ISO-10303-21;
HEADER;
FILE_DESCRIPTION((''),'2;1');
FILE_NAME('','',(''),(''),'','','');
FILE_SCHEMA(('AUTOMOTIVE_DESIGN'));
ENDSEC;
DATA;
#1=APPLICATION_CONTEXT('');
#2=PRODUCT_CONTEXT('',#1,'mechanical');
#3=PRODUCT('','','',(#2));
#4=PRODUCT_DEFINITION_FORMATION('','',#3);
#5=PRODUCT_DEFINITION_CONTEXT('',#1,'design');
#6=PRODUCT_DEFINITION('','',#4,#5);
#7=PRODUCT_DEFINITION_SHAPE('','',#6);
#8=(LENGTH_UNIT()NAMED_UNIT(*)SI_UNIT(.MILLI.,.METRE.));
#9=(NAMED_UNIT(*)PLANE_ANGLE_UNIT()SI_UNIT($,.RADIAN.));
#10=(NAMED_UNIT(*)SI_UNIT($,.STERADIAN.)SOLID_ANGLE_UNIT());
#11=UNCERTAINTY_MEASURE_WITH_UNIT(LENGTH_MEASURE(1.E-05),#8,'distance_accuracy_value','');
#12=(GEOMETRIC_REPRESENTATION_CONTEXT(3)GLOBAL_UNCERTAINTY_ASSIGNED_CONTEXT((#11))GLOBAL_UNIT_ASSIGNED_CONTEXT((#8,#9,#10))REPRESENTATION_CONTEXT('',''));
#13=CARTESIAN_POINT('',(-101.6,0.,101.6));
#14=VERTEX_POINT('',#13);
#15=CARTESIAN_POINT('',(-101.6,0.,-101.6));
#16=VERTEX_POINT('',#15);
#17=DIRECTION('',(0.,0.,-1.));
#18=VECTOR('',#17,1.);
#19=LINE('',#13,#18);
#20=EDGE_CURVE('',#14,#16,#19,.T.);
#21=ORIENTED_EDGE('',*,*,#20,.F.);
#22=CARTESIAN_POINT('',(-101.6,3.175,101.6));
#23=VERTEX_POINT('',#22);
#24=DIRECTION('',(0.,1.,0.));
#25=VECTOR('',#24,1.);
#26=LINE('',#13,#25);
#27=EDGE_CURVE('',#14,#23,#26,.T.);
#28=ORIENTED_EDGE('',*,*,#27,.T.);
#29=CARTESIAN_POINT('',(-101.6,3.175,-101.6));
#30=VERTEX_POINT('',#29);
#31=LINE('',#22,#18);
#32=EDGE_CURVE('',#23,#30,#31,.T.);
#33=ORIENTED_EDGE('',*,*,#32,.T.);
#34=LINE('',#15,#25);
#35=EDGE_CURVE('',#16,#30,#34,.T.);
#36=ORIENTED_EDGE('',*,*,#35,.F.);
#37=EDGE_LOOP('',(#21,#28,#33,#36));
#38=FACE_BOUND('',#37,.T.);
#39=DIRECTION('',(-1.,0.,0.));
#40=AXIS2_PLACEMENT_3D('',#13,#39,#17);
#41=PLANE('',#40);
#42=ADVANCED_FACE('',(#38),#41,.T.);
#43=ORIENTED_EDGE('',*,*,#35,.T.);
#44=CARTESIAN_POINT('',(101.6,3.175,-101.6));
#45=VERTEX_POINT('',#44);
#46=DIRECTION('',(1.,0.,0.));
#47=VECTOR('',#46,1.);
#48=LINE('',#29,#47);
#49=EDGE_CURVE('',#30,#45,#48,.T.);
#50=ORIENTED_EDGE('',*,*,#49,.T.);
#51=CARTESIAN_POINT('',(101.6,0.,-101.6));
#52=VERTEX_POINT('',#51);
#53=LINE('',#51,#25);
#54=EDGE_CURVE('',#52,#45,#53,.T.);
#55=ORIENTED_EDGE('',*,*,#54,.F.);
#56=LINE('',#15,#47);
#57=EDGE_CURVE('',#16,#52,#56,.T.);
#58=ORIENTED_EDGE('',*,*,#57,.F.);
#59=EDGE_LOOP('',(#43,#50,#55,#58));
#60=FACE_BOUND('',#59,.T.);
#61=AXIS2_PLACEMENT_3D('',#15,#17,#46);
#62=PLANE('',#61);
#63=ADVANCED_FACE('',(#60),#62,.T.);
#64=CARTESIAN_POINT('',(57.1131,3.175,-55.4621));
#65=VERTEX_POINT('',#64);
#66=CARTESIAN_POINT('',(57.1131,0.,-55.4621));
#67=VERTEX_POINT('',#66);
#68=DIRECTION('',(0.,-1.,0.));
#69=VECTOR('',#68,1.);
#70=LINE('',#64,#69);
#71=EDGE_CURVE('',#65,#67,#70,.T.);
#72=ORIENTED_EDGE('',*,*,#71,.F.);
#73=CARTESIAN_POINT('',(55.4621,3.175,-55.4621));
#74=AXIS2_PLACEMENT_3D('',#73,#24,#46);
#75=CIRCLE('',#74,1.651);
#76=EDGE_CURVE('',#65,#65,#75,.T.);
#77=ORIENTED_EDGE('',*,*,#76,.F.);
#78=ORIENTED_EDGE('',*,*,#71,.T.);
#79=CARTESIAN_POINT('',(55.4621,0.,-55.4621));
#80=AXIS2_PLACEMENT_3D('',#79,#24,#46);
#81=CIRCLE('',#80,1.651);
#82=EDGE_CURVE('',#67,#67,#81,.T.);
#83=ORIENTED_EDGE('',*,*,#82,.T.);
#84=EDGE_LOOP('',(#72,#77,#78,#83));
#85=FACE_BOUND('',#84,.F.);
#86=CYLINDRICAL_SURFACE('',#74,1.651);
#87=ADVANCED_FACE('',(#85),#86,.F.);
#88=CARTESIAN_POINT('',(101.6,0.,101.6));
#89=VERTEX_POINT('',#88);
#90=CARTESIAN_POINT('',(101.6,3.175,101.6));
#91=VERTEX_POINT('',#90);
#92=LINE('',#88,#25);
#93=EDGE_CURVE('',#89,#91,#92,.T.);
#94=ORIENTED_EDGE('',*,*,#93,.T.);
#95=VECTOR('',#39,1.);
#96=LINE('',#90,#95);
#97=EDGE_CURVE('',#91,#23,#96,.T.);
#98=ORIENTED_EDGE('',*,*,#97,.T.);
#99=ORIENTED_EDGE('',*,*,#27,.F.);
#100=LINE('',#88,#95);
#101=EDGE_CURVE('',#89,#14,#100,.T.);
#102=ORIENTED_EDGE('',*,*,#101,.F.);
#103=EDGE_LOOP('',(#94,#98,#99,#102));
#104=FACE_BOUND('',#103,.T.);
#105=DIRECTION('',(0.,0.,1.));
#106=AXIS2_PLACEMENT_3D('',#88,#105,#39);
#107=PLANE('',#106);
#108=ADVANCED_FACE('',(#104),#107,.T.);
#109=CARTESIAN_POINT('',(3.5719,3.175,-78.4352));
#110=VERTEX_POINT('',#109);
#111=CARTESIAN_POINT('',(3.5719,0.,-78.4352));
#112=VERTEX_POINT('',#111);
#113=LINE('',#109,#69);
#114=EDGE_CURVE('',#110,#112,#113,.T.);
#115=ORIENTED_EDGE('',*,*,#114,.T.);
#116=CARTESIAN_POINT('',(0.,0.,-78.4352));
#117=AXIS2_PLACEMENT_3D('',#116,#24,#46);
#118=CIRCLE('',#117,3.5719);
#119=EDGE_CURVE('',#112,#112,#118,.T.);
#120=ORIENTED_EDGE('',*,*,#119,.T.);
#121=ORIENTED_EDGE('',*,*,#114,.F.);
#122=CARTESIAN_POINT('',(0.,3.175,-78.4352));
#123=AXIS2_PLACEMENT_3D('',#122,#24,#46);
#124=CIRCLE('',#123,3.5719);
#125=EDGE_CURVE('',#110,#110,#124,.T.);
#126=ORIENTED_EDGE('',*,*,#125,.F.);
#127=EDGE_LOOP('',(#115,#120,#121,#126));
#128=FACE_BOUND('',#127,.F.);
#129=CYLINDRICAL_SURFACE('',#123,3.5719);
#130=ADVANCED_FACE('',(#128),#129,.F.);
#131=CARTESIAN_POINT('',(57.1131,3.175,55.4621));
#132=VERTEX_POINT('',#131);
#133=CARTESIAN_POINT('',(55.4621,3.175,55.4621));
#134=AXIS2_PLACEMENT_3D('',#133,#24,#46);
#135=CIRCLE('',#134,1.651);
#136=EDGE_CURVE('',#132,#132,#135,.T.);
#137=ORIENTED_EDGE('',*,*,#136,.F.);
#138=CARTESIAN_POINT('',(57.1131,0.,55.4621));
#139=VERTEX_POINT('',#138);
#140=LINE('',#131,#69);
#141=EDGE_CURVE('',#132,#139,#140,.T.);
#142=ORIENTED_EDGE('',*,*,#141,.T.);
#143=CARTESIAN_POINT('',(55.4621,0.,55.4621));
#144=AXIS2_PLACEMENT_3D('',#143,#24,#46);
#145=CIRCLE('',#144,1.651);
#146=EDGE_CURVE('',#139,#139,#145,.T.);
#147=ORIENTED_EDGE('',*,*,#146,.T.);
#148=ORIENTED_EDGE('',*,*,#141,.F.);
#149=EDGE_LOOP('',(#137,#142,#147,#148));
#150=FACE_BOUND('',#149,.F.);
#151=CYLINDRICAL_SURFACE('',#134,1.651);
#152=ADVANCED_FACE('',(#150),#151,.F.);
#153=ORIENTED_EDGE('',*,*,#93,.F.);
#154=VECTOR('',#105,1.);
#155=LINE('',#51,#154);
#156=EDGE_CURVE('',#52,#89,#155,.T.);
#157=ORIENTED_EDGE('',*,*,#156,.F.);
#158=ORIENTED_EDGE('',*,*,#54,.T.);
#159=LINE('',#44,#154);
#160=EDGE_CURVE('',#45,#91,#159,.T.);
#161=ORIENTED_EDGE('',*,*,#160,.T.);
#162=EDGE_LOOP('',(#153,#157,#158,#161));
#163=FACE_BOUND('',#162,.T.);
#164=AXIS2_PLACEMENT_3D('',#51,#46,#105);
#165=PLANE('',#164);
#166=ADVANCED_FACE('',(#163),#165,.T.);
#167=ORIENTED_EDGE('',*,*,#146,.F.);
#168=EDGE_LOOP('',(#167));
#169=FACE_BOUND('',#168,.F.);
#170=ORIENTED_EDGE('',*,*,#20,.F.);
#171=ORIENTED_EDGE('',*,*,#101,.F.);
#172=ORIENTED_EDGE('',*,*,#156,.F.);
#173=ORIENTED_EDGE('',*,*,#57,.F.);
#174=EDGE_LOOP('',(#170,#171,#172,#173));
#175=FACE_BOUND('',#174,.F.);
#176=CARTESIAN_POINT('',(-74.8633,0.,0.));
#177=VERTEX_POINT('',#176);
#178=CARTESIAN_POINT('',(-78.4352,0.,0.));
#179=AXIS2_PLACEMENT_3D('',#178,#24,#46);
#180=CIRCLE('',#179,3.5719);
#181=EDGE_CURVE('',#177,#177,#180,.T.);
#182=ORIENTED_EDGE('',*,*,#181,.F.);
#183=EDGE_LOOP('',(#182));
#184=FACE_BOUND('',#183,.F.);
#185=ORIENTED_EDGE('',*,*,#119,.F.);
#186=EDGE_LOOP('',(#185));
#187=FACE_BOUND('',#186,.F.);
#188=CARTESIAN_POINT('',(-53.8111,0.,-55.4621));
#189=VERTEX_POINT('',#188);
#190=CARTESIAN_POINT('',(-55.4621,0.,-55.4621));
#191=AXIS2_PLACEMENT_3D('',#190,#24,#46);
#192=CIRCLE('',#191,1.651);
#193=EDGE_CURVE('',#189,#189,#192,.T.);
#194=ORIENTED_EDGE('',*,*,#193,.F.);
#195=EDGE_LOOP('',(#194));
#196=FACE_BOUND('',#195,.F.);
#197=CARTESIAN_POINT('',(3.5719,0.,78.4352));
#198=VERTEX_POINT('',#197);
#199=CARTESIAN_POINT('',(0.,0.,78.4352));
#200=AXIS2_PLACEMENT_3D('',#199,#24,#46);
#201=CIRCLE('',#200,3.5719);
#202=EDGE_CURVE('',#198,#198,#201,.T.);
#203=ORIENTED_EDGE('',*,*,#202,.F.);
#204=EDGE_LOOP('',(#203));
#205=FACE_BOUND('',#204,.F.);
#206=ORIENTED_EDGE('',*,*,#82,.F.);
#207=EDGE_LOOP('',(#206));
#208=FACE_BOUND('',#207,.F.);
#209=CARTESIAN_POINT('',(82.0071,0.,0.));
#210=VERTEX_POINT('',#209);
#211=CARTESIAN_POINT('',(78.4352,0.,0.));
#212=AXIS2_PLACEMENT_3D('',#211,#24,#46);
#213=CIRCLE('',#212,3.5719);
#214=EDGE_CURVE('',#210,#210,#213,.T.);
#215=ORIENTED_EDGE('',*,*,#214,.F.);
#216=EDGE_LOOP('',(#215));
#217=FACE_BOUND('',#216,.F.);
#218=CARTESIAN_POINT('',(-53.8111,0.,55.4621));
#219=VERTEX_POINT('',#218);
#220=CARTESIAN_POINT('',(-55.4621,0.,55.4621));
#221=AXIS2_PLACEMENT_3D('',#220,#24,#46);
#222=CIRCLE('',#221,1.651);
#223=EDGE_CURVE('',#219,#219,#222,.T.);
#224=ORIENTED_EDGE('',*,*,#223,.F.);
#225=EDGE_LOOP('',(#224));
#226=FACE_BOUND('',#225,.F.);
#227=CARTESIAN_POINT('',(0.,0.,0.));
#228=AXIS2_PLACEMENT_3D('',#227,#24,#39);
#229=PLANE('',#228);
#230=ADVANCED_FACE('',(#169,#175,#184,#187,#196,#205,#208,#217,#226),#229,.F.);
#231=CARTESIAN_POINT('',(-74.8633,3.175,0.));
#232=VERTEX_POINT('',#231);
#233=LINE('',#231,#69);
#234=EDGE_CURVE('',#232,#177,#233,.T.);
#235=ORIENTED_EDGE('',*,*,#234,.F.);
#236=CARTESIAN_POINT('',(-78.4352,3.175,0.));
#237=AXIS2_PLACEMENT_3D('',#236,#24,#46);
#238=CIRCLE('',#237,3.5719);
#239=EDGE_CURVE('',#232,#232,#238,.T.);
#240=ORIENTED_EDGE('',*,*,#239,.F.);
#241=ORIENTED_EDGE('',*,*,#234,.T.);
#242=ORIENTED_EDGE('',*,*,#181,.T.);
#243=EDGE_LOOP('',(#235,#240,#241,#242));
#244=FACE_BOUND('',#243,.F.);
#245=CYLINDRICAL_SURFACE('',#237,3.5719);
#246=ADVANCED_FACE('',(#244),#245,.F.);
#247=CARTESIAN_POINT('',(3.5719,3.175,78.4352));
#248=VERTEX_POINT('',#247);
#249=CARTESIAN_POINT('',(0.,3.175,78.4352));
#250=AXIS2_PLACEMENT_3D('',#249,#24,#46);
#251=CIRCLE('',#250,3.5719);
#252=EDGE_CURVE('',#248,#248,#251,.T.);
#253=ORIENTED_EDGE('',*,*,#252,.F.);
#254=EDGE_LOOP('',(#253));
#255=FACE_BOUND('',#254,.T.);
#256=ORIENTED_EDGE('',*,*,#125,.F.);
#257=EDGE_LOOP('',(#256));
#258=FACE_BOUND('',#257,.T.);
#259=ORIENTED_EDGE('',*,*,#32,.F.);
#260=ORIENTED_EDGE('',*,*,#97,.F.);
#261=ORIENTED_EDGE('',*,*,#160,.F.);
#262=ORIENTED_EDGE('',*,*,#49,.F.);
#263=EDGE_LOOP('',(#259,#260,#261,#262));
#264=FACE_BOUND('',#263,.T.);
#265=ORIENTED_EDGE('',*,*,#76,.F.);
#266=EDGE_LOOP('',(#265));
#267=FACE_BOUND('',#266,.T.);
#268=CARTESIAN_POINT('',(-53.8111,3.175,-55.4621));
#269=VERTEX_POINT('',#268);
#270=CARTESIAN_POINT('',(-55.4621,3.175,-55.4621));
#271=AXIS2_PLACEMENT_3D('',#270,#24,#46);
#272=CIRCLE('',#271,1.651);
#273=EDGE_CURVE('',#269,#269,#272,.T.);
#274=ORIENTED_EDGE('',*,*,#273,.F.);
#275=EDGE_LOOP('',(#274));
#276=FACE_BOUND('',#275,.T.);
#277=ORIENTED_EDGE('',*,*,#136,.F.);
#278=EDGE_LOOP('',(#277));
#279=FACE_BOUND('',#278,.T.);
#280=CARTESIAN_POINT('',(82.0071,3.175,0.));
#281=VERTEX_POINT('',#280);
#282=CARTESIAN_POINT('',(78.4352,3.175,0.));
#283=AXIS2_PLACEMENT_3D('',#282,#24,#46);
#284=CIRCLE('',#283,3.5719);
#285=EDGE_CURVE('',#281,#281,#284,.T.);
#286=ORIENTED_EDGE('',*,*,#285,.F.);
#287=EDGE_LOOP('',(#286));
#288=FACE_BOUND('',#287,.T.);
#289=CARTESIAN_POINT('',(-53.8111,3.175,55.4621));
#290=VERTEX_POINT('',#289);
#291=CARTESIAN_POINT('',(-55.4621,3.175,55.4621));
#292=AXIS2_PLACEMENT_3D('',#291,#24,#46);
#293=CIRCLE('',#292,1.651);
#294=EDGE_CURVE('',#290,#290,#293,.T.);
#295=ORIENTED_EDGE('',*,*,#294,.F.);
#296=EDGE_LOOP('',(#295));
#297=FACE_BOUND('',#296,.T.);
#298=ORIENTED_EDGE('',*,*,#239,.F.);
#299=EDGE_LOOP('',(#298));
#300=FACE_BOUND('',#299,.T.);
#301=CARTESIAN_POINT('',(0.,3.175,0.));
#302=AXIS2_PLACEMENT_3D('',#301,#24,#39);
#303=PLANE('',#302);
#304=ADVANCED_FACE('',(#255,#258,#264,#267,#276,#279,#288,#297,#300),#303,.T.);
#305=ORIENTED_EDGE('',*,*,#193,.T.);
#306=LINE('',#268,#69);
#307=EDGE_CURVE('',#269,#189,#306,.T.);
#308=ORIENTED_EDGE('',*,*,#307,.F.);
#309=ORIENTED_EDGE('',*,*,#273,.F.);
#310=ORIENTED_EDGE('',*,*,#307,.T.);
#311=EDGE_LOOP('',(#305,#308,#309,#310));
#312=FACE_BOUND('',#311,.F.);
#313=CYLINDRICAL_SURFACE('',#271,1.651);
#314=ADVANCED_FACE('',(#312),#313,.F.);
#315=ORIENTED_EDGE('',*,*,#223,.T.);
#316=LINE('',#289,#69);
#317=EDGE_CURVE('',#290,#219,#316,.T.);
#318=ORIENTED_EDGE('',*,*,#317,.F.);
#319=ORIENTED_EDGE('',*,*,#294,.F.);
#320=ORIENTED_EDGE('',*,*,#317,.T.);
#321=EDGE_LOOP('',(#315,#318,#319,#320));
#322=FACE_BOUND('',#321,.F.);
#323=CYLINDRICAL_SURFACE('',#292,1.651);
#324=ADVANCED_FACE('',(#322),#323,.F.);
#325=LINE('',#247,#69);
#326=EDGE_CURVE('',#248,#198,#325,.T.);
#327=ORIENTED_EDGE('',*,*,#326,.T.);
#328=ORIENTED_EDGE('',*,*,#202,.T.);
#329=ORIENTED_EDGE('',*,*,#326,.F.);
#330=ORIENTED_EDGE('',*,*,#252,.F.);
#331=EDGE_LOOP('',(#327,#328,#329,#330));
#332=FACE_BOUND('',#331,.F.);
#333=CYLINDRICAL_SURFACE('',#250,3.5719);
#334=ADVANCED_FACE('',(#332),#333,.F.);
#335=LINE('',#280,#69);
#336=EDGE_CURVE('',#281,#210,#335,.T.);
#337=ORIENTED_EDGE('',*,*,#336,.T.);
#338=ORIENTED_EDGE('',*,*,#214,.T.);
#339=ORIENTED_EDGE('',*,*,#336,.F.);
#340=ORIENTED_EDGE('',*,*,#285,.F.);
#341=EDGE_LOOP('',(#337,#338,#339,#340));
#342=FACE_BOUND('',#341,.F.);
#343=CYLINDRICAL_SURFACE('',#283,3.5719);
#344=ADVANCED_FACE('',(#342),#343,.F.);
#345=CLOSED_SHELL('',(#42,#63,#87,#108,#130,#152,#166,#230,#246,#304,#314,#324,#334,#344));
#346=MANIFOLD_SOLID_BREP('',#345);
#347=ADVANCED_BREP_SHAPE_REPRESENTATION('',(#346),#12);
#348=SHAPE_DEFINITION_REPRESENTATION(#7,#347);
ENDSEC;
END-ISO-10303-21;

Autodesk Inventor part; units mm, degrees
ref_plane "YZ Plane" through (0, 0, 0) normal (1, 0, 0) x (0, 1, 0)
ref_plane "XZ Plane" through (0, 0, 0) normal (0, 1, 0) x (-1, 0, 0)
ref_plane "XY Plane" through (0, 0, 0) normal (0, 0, 1) x (1, 0, 0)
sketch "Sketch1" plane through (0, 0, 0) normal (0, 1, 0) x (-1, 0, 0)
  line L0 (-101.6, 101.6) -> (101.6, 101.6)
  line L1 (101.6, 101.6) -> (101.6, -101.6)
  line L2 (101.6, -101.6) -> (-101.6, -101.6)
  line L3 (-101.6, -101.6) -> (-101.6, 101.6)
  line L4 (-101.6, 101.6) -> (101.6, -101.6) construction
  line L5 (101.6, 101.6) -> (-101.6, -101.6) construction
  point P0 (0, 0)
  dimension "d0" = 203.2
  dimension "d1" = 203.2
extrude "Extrusion1" add sketch "Sketch1" along normal blind 3.175
sketch "Sketch3" plane through (0, 3.175, 0) normal (0, 1, 0) x (1, 0, 0)
  circle A0 centre (0, -78.4352) radius 3.5719 projected
  circle A1 centre (78.4352, 0) radius 3.5719 projected
  circle A2 centre (0, 78.4352) radius 3.5719 projected
  circle A3 centre (-78.4352, 0) radius 3.5719 projected
  circle A4 centre (-55.4621, -55.4621) radius 1.651 projected
  circle A5 centre (55.4621, -55.4621) radius 1.651 projected
  circle A6 centre (55.4621, 55.4621) radius 1.651 projected
  circle A7 centre (-55.4621, 55.4621) radius 1.651 projected
  point P0 (0, 0)
extrude "Extrusion2" cut sketch "Sketch3" against normal through all
properties part number "Top Plate"
